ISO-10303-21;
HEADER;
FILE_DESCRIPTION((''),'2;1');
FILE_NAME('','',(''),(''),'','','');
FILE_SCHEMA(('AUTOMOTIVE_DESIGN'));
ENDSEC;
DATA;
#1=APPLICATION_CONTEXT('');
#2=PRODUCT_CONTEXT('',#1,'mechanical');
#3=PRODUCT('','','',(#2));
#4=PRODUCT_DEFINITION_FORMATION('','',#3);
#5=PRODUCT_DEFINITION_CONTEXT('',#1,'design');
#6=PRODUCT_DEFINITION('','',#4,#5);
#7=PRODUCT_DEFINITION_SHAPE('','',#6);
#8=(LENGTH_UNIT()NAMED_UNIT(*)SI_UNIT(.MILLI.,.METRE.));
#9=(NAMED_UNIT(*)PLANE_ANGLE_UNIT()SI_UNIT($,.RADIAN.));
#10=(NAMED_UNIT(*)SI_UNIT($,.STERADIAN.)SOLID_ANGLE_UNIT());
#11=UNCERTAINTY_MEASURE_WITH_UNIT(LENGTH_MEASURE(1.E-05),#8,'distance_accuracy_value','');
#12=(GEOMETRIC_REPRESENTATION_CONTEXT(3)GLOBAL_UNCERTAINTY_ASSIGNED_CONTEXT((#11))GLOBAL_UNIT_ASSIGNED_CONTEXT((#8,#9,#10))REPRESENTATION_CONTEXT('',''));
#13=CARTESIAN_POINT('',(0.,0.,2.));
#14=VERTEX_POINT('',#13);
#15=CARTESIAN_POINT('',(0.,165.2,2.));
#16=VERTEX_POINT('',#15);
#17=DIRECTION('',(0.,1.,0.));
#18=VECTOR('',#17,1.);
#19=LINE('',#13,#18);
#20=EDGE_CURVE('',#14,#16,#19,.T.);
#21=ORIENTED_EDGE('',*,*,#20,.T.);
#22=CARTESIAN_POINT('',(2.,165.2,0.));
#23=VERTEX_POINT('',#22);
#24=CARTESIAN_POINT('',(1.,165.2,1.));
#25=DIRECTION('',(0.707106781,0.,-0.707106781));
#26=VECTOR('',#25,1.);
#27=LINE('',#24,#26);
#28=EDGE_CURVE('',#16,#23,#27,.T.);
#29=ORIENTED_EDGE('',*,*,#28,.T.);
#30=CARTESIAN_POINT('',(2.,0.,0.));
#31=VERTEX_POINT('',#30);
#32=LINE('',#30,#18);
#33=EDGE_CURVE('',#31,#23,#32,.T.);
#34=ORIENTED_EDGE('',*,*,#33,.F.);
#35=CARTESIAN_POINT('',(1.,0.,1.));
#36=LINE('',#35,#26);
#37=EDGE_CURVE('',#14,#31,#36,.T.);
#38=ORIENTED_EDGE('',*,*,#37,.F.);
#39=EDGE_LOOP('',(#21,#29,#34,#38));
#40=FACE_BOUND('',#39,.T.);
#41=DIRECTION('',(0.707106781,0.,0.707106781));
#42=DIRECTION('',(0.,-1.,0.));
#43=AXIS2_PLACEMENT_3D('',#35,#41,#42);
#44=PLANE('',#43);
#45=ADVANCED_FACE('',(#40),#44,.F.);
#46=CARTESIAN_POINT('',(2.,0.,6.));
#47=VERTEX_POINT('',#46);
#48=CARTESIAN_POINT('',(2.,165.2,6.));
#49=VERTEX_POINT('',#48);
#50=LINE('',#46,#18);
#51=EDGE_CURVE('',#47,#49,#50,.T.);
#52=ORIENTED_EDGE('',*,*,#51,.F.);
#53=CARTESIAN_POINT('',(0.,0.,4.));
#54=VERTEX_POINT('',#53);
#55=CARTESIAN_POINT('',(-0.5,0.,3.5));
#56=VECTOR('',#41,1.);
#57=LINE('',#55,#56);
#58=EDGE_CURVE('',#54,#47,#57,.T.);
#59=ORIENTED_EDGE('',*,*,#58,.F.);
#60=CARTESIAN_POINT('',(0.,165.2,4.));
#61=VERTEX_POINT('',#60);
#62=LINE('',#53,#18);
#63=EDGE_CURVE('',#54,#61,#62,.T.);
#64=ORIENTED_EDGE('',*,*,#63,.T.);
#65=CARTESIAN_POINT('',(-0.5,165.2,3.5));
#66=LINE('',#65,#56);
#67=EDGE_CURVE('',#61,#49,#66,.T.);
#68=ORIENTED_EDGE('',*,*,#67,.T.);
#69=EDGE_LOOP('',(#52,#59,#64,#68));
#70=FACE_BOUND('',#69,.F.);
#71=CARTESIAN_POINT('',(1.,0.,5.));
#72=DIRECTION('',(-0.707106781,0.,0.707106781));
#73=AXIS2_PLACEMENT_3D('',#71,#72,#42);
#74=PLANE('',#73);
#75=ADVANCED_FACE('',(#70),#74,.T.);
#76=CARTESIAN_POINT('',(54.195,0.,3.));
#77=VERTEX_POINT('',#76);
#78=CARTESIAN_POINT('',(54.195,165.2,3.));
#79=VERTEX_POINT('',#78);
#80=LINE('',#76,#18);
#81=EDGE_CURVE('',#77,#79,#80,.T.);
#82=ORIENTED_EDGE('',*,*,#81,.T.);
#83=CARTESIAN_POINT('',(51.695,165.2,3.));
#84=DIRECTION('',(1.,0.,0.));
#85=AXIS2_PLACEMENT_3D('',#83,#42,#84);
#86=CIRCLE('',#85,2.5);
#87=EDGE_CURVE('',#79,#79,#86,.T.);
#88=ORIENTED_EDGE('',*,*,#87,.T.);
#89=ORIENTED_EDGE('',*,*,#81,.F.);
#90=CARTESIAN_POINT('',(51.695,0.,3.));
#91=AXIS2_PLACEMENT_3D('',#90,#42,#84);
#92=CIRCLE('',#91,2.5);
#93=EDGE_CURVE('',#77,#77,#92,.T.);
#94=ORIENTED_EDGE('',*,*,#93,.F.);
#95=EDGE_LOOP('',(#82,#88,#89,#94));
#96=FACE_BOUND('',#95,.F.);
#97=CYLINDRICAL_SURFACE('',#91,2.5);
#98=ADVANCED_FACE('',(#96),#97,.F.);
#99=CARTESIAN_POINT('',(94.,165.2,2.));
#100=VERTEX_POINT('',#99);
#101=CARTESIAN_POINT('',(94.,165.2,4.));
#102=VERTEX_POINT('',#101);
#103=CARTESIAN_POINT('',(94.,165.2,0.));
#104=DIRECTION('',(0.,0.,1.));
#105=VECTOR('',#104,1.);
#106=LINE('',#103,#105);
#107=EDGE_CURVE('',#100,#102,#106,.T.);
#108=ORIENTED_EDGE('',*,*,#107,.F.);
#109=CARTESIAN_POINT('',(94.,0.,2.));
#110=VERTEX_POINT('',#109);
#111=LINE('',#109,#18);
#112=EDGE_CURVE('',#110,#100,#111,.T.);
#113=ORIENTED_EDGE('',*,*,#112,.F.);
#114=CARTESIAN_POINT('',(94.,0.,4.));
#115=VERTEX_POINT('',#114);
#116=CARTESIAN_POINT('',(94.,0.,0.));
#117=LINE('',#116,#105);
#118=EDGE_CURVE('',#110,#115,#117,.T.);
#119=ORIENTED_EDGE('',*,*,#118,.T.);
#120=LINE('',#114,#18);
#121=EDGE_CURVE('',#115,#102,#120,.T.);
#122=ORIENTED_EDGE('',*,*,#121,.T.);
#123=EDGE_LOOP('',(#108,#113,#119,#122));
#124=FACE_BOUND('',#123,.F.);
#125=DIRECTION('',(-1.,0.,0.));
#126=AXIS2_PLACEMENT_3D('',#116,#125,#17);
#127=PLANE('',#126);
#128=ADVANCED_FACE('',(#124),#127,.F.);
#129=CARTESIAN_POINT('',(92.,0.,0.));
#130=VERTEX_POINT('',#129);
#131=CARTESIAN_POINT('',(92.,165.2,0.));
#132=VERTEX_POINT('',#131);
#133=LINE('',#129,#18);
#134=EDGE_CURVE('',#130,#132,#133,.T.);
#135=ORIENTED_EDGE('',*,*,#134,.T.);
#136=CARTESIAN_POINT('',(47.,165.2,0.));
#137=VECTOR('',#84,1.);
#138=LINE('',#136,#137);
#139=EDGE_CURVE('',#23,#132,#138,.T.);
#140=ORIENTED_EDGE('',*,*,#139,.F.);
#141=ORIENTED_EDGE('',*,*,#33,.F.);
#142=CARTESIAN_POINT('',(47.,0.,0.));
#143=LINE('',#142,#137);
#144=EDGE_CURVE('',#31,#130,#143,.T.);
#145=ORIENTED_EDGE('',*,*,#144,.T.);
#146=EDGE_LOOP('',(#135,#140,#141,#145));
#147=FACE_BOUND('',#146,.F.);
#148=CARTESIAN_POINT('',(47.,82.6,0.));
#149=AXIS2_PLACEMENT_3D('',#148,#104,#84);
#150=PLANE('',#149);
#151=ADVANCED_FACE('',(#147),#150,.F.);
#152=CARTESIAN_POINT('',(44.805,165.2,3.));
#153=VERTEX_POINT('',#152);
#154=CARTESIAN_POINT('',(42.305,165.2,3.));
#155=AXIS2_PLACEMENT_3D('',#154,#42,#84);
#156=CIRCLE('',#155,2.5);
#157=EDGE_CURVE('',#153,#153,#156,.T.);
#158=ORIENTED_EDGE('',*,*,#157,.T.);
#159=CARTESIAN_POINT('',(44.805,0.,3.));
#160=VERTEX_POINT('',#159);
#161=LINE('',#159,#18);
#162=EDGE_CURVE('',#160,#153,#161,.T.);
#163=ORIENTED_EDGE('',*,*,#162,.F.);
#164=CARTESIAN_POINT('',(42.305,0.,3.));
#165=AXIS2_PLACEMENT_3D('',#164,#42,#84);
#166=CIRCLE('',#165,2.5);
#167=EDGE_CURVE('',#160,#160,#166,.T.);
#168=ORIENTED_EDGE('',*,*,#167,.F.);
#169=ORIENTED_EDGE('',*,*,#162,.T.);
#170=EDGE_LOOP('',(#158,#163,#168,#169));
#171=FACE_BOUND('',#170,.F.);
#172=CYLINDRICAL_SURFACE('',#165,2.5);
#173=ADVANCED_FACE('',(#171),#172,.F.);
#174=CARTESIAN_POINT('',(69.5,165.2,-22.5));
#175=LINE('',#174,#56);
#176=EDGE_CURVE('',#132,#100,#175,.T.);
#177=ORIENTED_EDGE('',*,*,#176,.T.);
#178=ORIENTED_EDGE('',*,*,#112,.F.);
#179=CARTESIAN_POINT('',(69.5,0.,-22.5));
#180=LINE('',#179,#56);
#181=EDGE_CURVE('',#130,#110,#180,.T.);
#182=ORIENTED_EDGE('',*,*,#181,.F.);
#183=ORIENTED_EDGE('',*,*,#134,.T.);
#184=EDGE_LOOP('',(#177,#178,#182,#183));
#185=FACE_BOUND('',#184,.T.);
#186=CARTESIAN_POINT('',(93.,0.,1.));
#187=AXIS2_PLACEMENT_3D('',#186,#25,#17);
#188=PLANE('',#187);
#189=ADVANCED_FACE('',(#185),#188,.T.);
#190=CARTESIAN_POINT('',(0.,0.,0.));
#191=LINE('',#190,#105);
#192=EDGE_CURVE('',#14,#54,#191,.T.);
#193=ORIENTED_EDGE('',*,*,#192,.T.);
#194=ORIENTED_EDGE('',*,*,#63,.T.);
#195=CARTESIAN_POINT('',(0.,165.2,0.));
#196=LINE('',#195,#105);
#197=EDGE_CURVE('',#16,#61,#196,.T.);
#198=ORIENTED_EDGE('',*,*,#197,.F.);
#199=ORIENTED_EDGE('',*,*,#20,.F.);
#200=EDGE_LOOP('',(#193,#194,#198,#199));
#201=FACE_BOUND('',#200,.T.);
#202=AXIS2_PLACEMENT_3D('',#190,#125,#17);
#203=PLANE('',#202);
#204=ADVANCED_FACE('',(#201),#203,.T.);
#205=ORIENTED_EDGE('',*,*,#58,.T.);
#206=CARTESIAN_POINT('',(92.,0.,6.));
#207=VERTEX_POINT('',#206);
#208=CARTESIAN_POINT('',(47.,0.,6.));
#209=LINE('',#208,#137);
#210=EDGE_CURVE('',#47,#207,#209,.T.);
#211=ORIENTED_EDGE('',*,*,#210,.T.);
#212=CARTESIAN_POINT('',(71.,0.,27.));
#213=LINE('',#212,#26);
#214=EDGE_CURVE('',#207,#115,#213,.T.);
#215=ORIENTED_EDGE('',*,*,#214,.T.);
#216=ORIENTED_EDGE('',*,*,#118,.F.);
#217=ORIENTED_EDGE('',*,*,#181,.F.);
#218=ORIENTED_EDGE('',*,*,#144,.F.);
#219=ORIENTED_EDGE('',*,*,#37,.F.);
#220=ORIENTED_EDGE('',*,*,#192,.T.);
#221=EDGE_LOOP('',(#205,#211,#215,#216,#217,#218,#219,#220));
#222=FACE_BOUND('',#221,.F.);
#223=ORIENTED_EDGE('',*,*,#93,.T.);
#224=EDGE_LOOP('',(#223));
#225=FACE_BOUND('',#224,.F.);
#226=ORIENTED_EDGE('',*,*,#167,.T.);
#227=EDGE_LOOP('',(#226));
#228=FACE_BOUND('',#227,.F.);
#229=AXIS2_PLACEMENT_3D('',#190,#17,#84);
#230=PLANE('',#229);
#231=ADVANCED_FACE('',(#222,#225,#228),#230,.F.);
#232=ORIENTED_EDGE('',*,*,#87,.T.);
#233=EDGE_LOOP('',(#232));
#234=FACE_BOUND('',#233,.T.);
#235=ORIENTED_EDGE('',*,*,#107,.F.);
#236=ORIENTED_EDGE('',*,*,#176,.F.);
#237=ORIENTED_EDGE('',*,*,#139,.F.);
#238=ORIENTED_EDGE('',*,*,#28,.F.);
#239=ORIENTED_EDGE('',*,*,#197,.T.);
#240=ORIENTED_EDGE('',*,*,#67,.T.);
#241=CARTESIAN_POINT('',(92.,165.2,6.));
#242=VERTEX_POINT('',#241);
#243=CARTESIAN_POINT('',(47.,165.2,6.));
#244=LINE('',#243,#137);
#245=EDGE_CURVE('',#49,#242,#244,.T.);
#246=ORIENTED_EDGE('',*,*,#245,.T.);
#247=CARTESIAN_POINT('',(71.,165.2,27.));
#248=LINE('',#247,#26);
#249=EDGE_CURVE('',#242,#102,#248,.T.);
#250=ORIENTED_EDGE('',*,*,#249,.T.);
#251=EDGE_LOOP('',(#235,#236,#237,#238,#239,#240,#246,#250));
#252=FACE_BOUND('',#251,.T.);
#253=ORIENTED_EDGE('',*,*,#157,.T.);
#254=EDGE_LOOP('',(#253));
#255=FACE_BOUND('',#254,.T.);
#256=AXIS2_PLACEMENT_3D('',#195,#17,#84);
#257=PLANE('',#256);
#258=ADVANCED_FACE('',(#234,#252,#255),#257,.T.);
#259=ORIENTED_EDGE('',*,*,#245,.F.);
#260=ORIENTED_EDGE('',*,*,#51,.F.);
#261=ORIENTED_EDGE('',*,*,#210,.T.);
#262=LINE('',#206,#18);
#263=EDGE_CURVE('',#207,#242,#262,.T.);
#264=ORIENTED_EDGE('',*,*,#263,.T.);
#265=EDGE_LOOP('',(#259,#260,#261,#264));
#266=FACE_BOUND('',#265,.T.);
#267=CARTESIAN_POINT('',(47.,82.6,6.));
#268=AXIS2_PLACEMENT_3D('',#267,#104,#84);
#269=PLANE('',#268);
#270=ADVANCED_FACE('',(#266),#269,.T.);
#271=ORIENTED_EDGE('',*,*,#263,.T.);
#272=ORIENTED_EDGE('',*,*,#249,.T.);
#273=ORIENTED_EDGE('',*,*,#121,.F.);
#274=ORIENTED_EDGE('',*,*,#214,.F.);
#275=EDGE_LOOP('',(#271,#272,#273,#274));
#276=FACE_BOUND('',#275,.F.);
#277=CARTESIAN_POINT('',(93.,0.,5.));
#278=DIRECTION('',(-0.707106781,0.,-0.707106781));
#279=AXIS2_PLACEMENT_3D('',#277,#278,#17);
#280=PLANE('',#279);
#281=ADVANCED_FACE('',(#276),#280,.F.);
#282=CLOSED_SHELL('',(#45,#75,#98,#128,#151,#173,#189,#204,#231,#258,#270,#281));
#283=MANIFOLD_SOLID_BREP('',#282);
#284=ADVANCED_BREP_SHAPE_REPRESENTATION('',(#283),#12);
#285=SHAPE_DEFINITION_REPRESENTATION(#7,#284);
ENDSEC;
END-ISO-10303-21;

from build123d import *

# Parameters (mm, degrees)
F0_W     = 94
F0_H     = 165.2
F1_DEPTH = 6
F2_R     = 2.5
F3_DEPTH = 165.201
F4_SIZE  = 2


with BuildPart() as f1:
    # F0 (on Top) → F1 (new body)
    with BuildSketch(Plane.XY):
        with Locations((47, 82.6)):
            Rectangle(F0_W, F0_H)
    extrude(amount=F1_DEPTH)

    # F2 (on face) → F3 (cut, through all)
    with BuildSketch(Plane.XZ):
        with Locations((42.305, 3)):
            Circle(F2_R)
        with Locations((51.695, 3)):
            Circle(F2_R)
    extrude(amount=-F3_DEPTH, mode=Mode.SUBTRACT)

    # F4
    f4_edges = [f1.edges().sort_by_distance(p)[0] for p in [
        (0, 82.6, 6),
        (0, 82.6, 0),
        (94, 82.6, 6),
        (94, 82.6, 0),
    ]]
    chamfer(f4_edges, length=F4_SIZE)


solid = f1.part
